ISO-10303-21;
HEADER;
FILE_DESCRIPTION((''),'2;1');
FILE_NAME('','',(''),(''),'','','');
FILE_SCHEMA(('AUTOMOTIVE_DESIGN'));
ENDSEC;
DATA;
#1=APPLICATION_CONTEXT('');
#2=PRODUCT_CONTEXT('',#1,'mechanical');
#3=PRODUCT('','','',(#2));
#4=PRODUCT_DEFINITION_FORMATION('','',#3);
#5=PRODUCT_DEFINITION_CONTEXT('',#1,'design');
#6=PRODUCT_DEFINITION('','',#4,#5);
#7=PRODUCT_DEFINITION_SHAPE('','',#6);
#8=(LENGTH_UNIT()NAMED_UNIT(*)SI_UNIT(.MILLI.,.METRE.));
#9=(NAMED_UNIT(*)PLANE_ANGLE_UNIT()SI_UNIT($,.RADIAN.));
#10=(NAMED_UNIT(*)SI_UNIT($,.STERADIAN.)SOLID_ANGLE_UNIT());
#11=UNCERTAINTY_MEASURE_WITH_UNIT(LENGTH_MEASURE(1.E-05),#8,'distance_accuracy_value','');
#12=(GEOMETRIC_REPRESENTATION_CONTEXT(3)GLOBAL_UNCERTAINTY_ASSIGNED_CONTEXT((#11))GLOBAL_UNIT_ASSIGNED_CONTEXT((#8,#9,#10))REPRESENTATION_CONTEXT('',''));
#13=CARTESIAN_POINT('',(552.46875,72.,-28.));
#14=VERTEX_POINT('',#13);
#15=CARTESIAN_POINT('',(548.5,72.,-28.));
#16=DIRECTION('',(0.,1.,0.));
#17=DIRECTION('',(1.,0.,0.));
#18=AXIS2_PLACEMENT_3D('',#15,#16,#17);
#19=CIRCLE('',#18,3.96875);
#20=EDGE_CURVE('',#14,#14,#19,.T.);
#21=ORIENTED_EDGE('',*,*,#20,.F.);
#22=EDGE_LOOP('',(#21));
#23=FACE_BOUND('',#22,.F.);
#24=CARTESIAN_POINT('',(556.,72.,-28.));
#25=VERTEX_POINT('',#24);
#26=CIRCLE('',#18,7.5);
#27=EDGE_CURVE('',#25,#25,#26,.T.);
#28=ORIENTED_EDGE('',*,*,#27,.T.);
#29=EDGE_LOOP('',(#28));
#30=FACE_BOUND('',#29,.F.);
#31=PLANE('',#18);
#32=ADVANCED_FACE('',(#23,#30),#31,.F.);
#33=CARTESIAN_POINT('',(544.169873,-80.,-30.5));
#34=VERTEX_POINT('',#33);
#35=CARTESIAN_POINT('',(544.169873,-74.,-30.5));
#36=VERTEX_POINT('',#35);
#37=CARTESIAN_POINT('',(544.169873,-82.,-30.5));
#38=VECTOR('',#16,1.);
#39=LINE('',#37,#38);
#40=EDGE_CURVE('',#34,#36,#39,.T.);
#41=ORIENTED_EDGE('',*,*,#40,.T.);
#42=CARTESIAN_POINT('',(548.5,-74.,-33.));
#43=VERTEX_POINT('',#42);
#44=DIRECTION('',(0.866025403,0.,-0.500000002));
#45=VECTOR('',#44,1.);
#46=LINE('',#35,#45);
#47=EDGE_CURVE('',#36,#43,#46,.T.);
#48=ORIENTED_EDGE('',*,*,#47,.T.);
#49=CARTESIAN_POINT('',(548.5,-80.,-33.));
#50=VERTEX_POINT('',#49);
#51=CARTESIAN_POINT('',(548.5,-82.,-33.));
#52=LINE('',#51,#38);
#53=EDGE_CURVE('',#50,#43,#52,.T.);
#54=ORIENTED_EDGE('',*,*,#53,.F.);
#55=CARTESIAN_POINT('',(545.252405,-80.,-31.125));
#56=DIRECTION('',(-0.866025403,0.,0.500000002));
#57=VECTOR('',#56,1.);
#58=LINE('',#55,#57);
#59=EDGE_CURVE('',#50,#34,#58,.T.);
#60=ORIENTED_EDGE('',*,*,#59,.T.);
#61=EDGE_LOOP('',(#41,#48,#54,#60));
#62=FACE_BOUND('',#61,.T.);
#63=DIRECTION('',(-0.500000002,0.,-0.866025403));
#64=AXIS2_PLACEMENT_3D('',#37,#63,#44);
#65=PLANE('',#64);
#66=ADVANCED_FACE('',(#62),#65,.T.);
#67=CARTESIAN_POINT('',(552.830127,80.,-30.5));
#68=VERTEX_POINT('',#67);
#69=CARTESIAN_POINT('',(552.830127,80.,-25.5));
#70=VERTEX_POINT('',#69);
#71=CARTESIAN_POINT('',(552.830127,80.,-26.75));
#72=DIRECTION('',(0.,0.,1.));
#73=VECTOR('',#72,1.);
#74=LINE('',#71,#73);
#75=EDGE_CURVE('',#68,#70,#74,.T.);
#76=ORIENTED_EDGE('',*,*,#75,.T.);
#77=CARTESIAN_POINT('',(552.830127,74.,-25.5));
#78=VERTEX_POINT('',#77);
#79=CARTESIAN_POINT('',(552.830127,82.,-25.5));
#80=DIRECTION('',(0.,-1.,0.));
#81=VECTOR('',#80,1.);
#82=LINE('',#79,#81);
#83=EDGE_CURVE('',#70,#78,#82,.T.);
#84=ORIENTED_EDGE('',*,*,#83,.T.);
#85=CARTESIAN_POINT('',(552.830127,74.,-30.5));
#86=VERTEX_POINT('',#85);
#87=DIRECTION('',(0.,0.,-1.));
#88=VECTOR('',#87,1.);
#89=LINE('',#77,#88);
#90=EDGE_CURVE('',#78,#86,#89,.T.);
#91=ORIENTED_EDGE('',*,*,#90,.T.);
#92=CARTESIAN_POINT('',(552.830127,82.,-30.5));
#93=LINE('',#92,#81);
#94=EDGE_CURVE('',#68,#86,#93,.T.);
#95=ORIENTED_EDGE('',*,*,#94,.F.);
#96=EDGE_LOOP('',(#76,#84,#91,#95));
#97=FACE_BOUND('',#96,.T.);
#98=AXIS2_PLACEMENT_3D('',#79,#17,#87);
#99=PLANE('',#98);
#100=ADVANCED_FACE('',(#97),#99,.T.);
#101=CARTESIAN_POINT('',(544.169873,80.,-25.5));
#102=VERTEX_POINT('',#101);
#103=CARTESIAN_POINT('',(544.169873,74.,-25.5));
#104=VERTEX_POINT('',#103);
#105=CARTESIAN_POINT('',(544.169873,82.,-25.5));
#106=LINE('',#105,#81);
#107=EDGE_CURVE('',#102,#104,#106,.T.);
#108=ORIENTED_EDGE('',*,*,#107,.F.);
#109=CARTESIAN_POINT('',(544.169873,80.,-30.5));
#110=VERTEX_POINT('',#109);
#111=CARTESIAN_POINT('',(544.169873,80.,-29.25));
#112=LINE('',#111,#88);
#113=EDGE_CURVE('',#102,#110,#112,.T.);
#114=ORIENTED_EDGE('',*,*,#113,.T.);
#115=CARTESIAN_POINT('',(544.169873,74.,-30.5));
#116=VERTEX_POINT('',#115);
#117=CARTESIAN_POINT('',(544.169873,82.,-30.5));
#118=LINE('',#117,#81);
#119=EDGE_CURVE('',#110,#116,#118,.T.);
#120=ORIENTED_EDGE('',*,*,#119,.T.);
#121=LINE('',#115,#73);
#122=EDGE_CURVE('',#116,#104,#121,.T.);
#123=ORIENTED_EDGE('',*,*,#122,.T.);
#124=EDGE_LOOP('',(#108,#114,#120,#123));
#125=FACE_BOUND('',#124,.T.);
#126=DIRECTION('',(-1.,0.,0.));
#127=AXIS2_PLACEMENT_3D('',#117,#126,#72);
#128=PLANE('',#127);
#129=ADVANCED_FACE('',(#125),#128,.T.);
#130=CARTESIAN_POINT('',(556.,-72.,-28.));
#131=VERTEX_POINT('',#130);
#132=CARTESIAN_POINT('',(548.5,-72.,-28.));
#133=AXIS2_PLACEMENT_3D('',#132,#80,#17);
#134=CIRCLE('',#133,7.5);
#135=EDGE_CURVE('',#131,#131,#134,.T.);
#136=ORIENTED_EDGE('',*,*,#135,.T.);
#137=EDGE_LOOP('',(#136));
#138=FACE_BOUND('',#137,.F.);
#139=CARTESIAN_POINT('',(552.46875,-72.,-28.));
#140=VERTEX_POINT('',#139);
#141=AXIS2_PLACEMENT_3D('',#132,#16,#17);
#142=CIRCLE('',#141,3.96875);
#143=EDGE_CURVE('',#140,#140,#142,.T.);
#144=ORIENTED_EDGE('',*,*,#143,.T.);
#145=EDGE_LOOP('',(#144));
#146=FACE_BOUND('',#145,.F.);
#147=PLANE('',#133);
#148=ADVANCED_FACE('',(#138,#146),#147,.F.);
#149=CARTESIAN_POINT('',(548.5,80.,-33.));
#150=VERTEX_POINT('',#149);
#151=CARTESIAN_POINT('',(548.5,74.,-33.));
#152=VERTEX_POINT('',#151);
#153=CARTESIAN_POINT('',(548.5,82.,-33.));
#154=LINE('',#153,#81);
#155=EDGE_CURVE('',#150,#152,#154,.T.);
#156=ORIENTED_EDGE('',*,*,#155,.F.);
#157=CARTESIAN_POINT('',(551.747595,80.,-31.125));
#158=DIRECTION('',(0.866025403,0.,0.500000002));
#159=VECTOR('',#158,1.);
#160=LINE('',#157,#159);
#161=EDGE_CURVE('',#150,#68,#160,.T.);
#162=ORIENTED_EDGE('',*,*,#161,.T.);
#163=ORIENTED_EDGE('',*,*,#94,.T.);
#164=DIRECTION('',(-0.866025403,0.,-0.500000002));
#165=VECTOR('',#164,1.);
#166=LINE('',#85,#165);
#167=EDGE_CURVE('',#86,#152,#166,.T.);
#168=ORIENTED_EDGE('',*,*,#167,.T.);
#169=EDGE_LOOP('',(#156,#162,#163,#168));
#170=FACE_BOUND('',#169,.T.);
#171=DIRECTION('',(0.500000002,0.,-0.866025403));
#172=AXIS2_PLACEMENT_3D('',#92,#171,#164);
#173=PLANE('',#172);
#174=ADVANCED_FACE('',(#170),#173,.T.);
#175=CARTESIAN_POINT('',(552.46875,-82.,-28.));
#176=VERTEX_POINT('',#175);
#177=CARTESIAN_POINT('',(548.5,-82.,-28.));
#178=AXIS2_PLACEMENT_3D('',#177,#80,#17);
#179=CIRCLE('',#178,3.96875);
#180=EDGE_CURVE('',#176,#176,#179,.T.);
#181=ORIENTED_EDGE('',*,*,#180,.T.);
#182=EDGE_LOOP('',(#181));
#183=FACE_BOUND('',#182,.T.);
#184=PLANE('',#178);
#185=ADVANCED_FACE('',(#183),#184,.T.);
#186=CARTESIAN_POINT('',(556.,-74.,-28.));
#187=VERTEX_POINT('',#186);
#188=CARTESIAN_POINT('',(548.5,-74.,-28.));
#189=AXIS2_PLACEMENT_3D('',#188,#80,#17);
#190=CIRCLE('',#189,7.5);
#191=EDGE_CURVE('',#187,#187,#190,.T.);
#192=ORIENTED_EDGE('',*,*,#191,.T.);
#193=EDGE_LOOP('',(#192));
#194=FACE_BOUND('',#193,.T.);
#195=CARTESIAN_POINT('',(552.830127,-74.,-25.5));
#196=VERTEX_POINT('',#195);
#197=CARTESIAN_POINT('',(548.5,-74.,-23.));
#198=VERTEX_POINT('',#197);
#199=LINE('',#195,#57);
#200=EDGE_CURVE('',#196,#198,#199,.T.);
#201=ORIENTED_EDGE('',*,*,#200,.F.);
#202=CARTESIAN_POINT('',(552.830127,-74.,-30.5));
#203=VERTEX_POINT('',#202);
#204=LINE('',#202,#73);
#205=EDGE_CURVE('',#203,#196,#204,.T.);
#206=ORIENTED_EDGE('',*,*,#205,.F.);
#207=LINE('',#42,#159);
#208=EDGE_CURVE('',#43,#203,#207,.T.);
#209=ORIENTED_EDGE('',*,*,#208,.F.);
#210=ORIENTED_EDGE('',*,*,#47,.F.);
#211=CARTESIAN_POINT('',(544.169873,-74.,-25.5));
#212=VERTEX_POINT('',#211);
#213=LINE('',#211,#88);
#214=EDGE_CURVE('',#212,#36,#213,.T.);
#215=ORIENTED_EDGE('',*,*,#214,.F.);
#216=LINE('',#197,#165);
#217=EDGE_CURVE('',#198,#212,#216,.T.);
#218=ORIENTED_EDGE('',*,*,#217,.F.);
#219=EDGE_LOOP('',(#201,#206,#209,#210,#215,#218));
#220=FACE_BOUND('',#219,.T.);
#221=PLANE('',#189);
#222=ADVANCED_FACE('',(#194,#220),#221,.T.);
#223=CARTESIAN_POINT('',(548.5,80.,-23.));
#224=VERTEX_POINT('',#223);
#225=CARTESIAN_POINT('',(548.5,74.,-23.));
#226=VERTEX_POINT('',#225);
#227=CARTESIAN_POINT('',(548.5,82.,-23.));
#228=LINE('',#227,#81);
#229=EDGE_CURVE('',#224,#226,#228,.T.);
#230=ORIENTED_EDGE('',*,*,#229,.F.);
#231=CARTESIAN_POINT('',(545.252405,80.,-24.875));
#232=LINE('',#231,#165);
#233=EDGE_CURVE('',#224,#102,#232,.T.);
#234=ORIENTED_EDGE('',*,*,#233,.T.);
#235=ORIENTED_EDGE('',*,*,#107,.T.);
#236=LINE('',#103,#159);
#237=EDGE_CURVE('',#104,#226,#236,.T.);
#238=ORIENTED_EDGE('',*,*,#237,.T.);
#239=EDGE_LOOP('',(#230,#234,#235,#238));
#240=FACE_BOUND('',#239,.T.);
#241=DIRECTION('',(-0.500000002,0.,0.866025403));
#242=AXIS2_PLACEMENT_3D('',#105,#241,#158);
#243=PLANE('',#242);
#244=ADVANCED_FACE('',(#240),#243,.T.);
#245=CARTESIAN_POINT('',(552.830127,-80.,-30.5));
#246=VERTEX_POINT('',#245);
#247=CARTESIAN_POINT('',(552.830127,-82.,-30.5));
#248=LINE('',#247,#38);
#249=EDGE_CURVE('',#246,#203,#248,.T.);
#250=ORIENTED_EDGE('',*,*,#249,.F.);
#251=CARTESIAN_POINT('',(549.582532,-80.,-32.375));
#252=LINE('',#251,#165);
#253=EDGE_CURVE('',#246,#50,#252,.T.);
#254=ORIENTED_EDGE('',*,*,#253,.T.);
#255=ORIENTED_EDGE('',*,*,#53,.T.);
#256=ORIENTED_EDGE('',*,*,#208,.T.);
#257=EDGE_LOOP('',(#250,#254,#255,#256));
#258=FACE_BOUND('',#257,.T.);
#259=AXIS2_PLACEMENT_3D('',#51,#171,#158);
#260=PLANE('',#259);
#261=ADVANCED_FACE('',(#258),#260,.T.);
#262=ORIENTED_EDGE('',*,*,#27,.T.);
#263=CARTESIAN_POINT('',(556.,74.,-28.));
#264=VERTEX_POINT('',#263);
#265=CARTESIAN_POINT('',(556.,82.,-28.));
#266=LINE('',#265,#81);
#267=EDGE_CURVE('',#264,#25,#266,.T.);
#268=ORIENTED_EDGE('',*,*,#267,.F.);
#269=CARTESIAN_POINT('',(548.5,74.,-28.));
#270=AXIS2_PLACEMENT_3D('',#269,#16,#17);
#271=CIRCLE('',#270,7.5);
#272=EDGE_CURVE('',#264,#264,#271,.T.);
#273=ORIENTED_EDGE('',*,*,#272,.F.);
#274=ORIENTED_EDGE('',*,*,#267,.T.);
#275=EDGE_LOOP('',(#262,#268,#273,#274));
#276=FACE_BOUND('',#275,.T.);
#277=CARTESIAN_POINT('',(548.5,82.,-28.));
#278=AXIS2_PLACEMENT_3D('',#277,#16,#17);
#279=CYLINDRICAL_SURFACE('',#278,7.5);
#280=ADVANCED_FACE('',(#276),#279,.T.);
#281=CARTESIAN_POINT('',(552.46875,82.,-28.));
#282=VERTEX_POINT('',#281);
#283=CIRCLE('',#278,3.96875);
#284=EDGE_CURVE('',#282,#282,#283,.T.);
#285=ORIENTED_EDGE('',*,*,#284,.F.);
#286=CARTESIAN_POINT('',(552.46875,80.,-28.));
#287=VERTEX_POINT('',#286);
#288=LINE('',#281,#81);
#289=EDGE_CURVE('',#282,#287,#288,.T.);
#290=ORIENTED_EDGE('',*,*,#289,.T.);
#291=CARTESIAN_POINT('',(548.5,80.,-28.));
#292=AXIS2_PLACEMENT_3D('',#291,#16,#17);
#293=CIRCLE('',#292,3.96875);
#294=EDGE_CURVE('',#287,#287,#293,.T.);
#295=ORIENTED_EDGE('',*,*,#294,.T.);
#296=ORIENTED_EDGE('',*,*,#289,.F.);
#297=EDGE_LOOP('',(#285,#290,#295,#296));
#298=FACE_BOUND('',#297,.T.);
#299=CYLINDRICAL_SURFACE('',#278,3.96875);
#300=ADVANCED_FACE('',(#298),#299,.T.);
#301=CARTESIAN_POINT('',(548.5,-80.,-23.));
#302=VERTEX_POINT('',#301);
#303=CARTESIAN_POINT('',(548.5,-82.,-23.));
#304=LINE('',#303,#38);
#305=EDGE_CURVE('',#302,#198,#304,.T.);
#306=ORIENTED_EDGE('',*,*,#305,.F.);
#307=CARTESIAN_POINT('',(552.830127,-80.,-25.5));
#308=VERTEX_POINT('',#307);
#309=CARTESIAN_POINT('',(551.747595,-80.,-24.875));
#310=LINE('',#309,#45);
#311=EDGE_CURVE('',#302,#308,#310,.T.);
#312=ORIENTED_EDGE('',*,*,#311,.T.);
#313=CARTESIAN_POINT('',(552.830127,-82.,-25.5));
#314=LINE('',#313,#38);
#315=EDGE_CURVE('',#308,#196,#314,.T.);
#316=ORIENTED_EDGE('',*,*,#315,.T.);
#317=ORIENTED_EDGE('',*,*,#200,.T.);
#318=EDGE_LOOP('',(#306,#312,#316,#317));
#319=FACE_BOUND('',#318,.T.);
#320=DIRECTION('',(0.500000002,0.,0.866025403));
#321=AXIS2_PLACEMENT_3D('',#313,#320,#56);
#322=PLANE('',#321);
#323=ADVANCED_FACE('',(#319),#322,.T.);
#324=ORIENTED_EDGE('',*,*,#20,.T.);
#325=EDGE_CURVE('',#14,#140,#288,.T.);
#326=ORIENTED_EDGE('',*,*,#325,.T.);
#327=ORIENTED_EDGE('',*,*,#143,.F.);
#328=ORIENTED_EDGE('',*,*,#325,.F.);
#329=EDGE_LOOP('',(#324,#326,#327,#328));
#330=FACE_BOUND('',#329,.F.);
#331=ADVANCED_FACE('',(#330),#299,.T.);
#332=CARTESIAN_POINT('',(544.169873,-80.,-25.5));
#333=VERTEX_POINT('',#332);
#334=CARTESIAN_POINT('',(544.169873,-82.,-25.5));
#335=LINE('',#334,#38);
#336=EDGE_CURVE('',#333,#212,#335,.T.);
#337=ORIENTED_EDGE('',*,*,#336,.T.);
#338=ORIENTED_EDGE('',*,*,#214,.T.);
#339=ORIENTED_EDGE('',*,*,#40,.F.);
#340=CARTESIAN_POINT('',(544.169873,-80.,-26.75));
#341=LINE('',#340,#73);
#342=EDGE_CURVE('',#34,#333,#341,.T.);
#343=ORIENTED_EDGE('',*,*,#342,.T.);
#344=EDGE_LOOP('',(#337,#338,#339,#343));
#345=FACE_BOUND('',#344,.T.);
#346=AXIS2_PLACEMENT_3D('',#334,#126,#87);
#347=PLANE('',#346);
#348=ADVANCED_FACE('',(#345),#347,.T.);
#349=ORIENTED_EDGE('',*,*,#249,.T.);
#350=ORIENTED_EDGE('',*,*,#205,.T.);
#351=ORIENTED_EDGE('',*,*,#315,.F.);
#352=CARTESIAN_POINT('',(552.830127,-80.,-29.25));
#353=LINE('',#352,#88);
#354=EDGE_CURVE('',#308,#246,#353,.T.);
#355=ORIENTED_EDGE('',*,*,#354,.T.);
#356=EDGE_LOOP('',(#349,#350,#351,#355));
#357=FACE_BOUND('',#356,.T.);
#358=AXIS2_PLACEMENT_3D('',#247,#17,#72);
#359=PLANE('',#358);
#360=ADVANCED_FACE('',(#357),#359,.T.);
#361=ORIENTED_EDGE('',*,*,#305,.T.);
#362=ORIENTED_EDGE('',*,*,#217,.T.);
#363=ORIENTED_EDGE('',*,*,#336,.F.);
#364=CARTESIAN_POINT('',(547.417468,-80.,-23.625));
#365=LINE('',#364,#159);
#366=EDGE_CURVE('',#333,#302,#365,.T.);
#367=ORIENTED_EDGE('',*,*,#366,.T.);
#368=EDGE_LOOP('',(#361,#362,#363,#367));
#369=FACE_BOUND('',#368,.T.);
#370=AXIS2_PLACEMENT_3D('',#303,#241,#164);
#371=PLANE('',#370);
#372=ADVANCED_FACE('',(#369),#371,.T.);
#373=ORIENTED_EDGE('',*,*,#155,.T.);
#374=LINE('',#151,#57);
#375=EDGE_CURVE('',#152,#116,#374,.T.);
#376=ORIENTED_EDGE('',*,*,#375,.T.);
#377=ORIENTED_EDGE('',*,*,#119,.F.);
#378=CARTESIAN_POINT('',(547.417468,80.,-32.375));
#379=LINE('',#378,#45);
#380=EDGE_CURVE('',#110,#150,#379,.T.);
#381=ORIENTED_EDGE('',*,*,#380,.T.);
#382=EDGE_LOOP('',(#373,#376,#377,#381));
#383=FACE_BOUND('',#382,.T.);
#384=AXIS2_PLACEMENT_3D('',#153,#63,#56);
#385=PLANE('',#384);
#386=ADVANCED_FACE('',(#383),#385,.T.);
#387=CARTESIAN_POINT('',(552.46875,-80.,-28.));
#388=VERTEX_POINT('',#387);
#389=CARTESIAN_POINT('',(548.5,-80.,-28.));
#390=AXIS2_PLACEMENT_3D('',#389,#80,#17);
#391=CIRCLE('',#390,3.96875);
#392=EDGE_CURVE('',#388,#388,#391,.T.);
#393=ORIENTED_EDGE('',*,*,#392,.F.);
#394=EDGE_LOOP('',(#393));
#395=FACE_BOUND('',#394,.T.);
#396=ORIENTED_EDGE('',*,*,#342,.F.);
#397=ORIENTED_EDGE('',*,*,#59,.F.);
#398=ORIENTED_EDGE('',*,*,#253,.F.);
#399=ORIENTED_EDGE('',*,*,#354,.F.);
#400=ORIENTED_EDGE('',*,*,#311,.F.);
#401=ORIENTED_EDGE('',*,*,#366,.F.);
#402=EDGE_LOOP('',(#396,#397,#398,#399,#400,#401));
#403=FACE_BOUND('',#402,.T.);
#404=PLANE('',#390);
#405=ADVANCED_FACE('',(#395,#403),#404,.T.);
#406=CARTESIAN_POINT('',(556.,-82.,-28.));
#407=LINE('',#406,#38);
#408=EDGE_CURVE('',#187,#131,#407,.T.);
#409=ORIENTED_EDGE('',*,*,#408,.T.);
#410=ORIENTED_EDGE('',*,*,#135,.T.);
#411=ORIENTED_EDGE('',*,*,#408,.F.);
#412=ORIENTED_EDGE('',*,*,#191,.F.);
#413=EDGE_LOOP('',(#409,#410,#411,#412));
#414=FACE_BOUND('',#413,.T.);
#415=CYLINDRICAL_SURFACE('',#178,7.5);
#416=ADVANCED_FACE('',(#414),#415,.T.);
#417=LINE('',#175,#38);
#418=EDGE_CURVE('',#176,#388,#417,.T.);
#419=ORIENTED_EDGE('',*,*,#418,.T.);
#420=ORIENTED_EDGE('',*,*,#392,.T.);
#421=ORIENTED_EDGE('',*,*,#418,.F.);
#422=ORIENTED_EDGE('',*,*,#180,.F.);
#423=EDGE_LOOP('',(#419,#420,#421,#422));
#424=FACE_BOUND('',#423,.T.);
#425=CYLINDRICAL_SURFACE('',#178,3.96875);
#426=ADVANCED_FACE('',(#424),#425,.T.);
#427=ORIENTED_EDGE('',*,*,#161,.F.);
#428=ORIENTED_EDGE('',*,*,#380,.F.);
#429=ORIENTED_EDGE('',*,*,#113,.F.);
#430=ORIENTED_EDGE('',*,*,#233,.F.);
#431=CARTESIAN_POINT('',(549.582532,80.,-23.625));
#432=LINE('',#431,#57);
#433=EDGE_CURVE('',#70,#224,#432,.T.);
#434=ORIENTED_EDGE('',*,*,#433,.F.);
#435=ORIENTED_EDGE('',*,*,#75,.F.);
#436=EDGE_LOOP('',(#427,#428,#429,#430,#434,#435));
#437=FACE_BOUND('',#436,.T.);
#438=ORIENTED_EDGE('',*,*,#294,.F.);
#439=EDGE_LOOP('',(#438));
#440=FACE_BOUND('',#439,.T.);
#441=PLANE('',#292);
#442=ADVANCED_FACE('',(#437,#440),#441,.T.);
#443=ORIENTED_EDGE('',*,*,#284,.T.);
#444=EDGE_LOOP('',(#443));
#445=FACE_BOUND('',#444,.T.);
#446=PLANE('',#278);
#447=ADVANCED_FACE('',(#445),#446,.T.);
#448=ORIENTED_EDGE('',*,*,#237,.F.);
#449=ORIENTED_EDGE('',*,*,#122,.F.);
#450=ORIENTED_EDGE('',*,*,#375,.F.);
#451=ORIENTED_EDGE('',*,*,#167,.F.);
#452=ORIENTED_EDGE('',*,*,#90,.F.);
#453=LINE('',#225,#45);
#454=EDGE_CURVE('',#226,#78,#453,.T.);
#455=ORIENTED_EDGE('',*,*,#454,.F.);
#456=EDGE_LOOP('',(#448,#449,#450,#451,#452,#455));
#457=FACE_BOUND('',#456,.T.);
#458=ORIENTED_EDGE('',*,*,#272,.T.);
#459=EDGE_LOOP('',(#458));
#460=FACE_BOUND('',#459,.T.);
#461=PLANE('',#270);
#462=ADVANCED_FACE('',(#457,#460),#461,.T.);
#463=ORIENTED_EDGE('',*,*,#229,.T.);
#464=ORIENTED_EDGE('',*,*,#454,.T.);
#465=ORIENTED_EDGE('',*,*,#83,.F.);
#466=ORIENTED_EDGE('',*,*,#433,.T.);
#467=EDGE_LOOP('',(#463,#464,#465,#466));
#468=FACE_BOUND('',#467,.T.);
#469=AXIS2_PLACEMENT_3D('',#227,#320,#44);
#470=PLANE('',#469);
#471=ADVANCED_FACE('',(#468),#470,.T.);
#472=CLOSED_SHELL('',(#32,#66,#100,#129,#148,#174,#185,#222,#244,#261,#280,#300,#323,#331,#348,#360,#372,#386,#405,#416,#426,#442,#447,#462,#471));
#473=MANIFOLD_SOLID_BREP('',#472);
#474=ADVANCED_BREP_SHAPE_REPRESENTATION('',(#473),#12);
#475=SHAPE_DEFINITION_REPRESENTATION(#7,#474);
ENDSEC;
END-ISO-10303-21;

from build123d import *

# Parameters (mm, degrees)
SKETCH013_R     = 3.96875
PAD009_DEPTH    = 164
SKETCH014_R     = 7.5
PAD010_DEPTH    = 10
SKETCH015_R     = 7.5
POCKET003_DEPTH = 8
SKETCH016_R     = 7.5
SKETCH016_R_2   = 3.96875
POCKET004_DEPTH = 2
SKETCH017_R     = 7.5
PAD011_DEPTH    = 10
SKETCH018_R     = 7.5
POCKET005_DEPTH = 8
SKETCH019_R     = 7.5
SKETCH019_R_2   = 3.96875
POCKET006_DEPTH = 2


with BuildPart() as part:
    # Sketch013 → Pad009 (new body)
    with BuildSketch(Plane(origin=(500, 82, 56), x_dir=(1, 0, 0), z_dir=(0, -1, 0))):
        Circle(SKETCH013_R)
    extrude(amount=PAD009_DEPTH)

    # Sketch014 → Pad010 (new body)
    with BuildSketch(Plane(origin=(500, 82, 56), x_dir=(1, 0, 0), z_dir=(0, 1, 0))):
        Circle(SKETCH014_R)
    extrude(amount=-PAD010_DEPTH)

    # Sketch015 → Pocket003 (cut)
    with BuildSketch(Plane(origin=(500, 82, 56), x_dir=(1, 0, 0), z_dir=(0, 1, 0))):
        Circle(SKETCH015_R)
        Polygon((0, 5), (-4.330127, 2.5), (-4.330127, -2.5), (0, -5), (4.330127, -2.5), (4.330127, 2.5), align=None, mode=Mode.SUBTRACT)
    extrude(amount=-POCKET003_DEPTH, mode=Mode.SUBTRACT)

    # Sketch016 → Pocket004 (cut)
    with BuildSketch(Plane(origin=(500, 82, 56), x_dir=(1, 0, 0), z_dir=(0, 1, 0))):
        Circle(SKETCH016_R)
        Circle(SKETCH016_R_2, mode=Mode.SUBTRACT)
    extrude(amount=-POCKET004_DEPTH, mode=Mode.SUBTRACT)

    # Sketch017 → Pad011 (new body)
    with BuildSketch(Plane(origin=(500, -82, 56), x_dir=(1, 0, 0), z_dir=(0, -1, 0))):
        Circle(SKETCH017_R)
    extrude(amount=-PAD011_DEPTH)

    # Sketch018 → Pocket005 (cut)
    with BuildSketch(Plane(origin=(500, -82, 56), x_dir=(1, 0, 0), z_dir=(0, -1, 0))):
        Circle(SKETCH018_R)
        Polygon((0, 5), (-4.330127, 2.5), (-4.330127, -2.5), (0, -5), (4.330127, -2.5), (4.330127, 2.5), align=None, mode=Mode.SUBTRACT)
    extrude(amount=-POCKET005_DEPTH, mode=Mode.SUBTRACT)

    # Sketch019 → Pocket006 (cut)
    with BuildSketch(Plane(origin=(500, -82, 56), x_dir=(1, 0, 0), z_dir=(0, -1, 0))):
        Circle(SKETCH019_R)
        Circle(SKETCH019_R_2, mode=Mode.SUBTRACT)
    extrude(amount=-POCKET006_DEPTH, mode=Mode.SUBTRACT)


with BuildPart() as part_1:
    # Clone013 placement: moved
    add(part.part.moved(Location((48.5, 0, -84))))


solid = part_1.part
